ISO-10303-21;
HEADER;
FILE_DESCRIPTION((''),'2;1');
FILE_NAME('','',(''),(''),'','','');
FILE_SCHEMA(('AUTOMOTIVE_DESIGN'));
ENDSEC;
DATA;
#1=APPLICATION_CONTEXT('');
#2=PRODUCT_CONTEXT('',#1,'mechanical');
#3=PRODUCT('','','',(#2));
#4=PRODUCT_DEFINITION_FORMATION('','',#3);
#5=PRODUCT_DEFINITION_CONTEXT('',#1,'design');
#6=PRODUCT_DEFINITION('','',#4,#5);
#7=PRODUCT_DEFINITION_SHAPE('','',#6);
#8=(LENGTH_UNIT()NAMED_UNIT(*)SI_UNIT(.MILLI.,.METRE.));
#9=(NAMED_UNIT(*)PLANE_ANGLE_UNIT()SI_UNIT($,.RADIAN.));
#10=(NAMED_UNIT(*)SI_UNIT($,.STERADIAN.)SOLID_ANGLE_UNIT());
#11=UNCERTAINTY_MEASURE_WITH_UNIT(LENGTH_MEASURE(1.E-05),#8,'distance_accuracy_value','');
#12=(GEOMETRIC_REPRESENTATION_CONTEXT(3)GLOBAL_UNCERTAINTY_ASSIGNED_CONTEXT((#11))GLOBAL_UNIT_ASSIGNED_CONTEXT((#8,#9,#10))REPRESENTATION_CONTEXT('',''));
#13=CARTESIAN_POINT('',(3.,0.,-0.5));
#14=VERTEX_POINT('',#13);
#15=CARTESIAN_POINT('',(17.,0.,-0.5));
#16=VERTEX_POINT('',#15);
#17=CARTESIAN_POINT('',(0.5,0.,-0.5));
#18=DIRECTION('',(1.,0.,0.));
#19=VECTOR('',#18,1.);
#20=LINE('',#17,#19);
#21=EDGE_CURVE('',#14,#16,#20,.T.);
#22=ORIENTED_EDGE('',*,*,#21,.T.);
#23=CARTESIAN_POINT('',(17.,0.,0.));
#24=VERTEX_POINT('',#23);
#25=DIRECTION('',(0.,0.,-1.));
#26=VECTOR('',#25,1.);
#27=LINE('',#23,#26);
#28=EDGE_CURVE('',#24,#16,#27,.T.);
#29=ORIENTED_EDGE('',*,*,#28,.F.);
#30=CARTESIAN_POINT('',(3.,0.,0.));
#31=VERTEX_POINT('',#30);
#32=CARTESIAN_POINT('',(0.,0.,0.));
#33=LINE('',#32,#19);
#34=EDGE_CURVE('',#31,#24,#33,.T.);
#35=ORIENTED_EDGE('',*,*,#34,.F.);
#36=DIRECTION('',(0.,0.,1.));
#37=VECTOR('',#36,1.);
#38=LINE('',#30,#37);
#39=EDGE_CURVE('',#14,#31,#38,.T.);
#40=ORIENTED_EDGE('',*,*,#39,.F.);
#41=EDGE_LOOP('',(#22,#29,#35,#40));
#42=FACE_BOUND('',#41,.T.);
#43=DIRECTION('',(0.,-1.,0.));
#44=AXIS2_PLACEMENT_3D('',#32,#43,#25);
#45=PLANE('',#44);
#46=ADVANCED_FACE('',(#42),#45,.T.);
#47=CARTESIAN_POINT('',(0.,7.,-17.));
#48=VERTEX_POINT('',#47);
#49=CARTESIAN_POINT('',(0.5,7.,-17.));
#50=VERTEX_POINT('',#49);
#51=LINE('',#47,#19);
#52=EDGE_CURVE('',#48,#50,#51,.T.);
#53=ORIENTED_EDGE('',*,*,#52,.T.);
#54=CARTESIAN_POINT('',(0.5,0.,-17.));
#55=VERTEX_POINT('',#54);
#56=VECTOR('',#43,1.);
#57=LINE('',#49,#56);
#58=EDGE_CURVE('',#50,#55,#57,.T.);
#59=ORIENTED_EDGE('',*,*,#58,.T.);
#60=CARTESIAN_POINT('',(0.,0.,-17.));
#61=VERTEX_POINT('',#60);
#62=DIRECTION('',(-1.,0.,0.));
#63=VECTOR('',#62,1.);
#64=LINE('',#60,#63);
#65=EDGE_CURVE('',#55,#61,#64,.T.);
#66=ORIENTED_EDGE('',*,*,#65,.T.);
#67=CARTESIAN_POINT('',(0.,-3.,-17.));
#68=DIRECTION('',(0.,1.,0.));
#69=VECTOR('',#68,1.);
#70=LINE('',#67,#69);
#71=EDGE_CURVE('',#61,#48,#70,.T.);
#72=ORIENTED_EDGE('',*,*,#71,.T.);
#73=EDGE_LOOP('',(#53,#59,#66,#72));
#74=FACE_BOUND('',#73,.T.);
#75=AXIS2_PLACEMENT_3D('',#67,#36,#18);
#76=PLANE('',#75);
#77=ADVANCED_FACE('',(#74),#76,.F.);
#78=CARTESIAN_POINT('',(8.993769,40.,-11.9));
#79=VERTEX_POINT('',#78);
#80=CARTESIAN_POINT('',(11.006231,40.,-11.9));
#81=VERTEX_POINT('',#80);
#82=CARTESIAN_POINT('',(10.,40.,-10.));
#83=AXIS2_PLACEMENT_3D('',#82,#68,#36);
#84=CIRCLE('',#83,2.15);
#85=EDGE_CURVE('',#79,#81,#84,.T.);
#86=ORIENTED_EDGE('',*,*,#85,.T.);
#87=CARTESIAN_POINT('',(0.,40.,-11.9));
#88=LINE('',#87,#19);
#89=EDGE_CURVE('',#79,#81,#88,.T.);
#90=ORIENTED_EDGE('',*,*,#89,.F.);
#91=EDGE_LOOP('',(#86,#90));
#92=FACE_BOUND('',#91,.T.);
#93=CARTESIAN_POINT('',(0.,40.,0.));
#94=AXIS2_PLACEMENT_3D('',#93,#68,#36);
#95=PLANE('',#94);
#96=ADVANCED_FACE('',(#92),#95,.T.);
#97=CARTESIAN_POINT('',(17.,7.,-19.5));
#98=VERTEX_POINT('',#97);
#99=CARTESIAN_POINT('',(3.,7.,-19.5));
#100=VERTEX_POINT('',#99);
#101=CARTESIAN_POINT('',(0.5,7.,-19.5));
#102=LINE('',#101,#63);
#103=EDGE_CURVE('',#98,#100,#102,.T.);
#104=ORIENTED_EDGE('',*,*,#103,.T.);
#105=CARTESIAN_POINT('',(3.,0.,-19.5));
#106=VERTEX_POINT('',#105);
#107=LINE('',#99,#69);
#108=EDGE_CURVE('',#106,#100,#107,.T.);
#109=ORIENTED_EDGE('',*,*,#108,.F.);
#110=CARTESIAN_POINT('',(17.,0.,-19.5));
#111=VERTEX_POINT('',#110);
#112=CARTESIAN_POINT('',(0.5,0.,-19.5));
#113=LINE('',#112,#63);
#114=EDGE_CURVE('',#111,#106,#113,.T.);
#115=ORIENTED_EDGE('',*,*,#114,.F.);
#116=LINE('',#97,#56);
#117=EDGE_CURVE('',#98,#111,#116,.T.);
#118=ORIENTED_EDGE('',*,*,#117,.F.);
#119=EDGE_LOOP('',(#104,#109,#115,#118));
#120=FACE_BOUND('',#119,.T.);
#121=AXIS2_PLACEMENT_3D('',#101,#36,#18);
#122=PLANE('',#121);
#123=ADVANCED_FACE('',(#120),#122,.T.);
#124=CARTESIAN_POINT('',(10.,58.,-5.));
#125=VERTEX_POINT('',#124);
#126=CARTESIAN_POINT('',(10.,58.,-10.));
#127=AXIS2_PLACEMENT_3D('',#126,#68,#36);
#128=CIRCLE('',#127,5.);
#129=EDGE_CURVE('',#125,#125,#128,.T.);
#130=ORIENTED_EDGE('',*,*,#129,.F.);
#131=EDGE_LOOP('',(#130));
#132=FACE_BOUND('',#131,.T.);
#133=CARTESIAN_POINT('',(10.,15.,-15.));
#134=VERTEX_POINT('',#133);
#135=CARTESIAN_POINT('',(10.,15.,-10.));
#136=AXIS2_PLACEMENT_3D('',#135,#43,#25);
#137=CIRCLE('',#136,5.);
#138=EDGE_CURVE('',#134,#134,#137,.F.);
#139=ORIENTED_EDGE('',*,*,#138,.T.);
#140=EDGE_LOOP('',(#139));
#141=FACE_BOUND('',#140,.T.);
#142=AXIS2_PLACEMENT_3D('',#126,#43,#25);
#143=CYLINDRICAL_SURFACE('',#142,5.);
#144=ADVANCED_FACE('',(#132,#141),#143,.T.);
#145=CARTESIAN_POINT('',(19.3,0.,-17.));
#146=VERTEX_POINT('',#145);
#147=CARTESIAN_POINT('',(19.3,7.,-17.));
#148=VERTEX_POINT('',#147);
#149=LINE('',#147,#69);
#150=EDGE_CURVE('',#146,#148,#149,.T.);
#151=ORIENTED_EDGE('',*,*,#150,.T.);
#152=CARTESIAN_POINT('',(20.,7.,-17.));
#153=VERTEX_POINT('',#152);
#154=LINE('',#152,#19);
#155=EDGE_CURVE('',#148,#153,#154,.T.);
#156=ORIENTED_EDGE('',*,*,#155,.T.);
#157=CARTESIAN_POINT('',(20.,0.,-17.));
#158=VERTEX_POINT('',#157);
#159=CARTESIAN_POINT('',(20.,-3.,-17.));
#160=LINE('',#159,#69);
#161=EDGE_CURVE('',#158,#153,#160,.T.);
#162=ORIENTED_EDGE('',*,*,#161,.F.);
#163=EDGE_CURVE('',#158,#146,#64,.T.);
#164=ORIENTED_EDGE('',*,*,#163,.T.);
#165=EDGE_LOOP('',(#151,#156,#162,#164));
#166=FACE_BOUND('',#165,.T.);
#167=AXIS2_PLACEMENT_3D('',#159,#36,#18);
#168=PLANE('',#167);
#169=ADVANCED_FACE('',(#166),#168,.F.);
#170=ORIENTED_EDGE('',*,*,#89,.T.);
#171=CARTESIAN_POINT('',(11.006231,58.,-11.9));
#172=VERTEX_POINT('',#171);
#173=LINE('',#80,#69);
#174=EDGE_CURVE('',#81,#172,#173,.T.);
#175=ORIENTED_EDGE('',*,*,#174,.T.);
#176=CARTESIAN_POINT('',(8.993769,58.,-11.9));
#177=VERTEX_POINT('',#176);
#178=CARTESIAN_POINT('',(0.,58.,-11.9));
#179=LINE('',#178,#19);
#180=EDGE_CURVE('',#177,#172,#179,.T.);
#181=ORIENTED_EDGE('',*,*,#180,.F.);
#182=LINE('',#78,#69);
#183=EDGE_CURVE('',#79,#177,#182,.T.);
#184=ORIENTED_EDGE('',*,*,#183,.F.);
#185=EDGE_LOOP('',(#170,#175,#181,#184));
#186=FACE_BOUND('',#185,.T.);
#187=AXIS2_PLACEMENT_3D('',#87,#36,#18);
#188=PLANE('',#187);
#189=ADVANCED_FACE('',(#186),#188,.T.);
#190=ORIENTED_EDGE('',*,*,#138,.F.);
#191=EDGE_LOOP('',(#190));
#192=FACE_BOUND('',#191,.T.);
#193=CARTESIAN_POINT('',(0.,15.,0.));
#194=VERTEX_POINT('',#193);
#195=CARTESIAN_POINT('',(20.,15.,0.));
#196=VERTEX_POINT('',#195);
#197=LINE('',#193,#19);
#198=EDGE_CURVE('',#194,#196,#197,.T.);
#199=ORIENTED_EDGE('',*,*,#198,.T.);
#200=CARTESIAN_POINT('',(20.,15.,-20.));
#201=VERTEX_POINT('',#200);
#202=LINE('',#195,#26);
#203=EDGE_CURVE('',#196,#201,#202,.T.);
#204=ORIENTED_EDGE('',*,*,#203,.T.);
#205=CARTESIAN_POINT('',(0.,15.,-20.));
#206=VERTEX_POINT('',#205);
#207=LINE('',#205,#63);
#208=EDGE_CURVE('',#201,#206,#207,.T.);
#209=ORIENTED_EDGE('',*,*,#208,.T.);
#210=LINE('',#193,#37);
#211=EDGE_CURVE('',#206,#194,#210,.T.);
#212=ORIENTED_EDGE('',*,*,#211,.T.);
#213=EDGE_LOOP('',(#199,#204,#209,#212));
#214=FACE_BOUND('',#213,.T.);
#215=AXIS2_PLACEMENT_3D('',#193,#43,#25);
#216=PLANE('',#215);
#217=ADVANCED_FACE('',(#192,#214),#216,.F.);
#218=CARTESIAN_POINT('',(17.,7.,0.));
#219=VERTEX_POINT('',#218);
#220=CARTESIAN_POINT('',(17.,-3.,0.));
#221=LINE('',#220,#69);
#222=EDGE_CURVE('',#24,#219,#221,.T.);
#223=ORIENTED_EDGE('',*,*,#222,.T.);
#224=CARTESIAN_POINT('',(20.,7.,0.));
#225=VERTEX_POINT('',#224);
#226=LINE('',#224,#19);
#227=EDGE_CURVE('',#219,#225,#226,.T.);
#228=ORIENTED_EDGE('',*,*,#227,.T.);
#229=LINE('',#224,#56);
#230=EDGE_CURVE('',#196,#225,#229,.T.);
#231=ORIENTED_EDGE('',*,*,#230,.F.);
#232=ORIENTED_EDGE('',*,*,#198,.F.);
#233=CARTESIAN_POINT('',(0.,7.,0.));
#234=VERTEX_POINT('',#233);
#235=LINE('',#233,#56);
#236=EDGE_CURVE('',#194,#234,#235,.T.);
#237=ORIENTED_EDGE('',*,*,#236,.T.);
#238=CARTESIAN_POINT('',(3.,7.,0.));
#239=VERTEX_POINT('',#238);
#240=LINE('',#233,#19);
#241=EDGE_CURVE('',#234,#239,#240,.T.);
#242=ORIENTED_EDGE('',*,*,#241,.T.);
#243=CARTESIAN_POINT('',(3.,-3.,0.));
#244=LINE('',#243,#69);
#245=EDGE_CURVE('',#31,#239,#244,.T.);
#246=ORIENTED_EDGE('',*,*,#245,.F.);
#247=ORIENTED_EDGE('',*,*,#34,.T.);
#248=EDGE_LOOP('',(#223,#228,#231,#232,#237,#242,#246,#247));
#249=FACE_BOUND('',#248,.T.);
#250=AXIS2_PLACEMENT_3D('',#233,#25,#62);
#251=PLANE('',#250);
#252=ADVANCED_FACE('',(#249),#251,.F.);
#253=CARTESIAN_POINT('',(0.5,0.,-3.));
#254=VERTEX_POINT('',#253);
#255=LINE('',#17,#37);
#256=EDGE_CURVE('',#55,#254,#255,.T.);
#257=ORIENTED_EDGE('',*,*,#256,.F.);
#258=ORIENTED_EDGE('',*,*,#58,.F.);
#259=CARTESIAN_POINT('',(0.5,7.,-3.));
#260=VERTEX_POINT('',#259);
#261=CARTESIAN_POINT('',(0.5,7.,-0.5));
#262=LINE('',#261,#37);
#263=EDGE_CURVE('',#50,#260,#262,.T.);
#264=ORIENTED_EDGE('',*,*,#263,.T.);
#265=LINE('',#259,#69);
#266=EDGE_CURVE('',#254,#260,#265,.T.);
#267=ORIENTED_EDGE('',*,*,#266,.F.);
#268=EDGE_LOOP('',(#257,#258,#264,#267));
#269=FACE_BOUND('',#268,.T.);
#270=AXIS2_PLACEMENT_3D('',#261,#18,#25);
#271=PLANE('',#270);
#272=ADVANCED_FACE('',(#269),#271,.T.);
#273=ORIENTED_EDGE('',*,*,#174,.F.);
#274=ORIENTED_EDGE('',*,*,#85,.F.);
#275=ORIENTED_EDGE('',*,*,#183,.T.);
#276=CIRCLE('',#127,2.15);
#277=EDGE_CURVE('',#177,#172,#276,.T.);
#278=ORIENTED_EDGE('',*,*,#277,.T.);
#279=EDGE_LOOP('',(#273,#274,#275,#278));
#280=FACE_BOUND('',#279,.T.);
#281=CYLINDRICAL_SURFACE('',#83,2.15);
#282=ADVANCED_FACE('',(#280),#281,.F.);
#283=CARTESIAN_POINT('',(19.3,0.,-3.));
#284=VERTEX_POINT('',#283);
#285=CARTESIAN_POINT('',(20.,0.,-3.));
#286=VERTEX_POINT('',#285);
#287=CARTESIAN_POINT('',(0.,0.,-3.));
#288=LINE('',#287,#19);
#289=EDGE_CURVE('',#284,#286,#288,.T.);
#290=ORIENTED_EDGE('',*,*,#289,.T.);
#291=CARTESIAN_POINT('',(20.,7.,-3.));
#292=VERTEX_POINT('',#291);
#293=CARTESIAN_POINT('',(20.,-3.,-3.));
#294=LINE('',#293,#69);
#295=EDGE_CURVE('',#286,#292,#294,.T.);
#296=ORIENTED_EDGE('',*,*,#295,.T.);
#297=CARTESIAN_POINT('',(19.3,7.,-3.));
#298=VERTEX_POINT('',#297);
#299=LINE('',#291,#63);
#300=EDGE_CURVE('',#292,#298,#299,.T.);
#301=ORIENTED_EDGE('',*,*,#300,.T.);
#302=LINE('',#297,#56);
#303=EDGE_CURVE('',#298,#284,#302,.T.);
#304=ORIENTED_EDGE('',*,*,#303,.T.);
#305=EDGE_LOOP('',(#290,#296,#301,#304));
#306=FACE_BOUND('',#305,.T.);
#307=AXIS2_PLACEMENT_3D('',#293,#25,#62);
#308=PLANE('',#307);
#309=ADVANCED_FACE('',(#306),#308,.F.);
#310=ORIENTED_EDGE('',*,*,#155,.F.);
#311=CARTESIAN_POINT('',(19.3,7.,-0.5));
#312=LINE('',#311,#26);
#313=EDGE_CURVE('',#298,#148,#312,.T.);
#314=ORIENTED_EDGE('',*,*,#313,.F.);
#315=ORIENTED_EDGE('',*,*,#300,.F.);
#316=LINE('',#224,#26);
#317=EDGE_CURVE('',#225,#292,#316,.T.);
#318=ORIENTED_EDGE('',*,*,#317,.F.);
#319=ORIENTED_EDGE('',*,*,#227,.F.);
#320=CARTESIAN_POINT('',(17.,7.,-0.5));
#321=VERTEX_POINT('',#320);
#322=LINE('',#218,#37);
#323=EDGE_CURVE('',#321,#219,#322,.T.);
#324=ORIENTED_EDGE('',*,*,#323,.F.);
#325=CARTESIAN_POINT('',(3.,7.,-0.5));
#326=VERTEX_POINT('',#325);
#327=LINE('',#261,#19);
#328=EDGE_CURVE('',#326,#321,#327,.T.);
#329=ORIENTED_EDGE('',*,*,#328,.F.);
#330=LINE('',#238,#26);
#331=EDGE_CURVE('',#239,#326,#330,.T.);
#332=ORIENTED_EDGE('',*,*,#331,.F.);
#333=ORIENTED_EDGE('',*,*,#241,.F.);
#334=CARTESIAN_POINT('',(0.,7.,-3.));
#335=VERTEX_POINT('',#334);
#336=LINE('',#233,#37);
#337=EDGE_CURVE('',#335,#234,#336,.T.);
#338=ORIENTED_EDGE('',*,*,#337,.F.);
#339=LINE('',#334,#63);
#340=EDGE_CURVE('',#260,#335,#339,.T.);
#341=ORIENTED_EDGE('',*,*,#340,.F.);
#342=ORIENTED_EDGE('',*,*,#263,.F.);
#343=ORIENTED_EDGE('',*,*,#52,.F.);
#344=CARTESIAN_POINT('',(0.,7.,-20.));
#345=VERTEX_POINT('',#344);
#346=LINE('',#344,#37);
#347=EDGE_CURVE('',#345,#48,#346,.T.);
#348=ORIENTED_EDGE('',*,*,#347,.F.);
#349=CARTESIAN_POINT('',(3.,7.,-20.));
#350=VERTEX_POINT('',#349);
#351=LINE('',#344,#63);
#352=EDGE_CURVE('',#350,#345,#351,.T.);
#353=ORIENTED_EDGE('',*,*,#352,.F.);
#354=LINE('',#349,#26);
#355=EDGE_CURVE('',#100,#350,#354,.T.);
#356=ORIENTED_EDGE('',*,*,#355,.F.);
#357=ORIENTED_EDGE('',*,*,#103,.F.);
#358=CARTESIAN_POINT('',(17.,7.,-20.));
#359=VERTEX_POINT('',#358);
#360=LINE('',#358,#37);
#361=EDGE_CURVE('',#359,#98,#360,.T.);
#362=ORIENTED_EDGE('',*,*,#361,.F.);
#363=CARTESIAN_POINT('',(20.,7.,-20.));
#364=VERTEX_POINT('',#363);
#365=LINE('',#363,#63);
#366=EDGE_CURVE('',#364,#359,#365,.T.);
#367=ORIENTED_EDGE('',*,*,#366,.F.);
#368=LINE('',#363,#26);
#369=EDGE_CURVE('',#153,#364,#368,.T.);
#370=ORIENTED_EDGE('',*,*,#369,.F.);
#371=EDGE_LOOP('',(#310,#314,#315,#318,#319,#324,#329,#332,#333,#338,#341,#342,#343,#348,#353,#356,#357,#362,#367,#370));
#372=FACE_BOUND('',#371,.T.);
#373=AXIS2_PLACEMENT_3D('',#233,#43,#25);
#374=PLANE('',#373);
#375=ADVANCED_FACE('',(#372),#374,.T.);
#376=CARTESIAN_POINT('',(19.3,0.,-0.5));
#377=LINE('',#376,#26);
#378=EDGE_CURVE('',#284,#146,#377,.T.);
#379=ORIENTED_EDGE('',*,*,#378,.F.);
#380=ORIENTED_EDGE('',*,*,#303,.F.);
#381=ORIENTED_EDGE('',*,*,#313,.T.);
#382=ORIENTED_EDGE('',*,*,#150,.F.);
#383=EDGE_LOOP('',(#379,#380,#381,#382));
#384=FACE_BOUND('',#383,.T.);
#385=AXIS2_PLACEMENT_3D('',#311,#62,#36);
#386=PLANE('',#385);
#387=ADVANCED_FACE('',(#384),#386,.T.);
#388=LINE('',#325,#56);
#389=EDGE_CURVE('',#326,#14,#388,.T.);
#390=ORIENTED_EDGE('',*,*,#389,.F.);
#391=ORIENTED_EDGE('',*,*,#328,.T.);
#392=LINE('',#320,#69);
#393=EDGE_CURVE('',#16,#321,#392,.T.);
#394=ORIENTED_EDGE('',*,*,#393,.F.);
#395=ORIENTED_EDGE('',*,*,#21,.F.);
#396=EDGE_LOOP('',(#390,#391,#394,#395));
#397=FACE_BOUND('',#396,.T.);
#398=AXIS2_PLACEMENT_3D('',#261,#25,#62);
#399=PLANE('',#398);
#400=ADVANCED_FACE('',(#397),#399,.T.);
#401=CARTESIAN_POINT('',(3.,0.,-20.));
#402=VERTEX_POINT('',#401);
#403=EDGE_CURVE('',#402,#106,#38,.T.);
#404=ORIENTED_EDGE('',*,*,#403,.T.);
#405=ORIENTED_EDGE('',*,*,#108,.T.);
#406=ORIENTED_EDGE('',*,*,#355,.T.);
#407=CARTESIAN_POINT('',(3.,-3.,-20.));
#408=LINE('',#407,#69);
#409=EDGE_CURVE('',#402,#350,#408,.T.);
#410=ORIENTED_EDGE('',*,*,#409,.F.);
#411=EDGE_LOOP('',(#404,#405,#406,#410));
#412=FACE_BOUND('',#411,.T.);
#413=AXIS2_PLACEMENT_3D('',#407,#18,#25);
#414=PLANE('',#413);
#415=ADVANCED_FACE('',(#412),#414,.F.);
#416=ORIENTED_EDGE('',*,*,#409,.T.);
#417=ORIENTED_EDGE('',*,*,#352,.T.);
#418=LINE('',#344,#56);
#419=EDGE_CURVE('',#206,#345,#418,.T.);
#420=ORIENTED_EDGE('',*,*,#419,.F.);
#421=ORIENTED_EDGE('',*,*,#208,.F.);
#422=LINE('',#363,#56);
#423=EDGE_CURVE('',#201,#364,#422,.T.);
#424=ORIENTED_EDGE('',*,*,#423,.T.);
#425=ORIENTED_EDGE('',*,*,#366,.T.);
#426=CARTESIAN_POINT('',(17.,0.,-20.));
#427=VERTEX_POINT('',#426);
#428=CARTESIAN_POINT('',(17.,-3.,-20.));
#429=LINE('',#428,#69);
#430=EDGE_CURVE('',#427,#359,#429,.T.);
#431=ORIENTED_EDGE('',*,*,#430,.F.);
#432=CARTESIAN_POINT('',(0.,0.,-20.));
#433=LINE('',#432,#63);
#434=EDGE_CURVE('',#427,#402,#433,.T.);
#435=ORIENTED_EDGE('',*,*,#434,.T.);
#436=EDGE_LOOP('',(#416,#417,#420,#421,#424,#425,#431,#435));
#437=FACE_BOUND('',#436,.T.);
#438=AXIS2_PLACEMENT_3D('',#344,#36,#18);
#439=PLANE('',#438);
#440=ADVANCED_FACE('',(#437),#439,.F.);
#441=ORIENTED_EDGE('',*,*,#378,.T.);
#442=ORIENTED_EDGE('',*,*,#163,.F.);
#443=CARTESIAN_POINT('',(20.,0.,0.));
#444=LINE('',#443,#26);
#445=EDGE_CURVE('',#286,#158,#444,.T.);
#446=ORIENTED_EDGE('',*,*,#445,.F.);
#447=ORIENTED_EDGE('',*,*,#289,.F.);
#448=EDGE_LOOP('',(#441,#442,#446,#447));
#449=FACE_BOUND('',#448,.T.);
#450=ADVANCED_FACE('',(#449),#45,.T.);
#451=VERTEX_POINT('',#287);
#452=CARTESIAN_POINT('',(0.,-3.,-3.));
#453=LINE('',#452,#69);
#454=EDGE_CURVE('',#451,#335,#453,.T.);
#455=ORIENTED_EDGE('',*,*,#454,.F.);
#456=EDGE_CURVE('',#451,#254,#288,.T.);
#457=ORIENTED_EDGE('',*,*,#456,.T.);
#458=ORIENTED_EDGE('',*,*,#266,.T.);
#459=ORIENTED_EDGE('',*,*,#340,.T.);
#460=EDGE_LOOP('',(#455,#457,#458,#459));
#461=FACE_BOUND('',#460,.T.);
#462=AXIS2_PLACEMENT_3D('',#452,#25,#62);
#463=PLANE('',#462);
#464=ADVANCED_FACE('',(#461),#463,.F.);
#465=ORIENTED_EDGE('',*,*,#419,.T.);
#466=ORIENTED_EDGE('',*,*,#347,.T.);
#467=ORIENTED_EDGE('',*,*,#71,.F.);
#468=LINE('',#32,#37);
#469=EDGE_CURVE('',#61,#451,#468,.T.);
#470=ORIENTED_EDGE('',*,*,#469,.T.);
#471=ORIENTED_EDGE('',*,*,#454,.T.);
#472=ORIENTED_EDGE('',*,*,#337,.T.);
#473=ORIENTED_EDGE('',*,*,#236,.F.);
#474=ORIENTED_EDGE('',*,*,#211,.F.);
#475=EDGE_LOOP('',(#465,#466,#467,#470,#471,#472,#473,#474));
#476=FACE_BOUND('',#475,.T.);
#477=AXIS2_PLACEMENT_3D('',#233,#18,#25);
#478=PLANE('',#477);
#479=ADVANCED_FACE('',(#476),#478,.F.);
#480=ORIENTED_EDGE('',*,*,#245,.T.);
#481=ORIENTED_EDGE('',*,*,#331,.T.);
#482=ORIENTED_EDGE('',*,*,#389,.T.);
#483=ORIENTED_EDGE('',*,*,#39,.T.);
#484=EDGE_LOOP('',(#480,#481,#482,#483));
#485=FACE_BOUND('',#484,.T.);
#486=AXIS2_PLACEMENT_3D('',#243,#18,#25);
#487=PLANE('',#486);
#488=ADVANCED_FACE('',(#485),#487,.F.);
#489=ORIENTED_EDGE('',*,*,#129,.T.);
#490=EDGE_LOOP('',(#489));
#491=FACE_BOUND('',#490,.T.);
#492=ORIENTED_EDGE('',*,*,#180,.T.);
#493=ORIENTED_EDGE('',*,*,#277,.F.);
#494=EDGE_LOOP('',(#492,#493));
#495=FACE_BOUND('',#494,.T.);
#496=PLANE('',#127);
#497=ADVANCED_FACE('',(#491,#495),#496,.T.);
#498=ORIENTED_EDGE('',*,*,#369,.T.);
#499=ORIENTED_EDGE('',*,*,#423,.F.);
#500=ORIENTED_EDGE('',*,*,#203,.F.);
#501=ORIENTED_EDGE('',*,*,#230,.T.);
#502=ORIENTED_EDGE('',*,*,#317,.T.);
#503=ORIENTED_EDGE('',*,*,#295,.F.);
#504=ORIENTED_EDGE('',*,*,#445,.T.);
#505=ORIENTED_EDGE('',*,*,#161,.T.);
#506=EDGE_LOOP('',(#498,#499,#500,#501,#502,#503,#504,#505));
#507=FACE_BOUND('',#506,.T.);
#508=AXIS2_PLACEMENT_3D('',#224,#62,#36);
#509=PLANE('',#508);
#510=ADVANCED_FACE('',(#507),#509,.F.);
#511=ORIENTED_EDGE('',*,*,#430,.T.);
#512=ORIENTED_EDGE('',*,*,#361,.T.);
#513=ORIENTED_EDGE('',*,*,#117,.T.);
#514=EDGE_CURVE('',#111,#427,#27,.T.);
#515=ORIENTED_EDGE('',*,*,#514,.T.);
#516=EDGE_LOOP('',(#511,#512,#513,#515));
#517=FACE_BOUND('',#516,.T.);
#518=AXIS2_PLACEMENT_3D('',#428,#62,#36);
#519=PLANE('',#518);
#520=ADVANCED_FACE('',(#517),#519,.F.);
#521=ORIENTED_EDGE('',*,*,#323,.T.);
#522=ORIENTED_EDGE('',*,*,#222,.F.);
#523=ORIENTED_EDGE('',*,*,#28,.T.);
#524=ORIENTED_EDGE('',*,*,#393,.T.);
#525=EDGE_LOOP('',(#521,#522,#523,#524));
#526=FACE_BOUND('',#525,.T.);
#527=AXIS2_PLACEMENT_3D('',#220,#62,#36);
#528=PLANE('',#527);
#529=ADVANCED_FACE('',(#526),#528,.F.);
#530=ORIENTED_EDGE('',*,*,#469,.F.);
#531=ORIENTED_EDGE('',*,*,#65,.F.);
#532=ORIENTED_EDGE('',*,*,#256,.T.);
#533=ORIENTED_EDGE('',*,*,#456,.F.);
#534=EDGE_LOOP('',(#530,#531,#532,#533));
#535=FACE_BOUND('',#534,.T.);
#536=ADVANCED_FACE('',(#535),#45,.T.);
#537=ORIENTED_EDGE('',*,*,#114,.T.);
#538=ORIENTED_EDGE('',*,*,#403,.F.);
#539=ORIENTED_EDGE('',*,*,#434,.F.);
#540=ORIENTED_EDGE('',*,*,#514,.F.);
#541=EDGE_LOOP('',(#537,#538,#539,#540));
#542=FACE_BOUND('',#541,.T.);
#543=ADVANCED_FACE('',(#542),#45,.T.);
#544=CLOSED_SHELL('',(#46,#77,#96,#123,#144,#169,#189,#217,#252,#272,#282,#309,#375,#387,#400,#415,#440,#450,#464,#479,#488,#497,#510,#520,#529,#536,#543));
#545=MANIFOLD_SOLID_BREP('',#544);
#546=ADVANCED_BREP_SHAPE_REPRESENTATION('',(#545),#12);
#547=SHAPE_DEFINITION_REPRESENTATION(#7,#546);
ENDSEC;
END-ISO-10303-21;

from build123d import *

# Parameters (mm, degrees)
SKETCH_1_W          = 20
SKETCH_1_H          = 20
SKETCH_1_W_2        = 18.8
SKETCH_1_H_2        = 19
EXTRUDE_1_DEPTH     = 7
SKETCH_3_W          = 20
SKETCH_3_H          = 20
EXTRUDE_2_DEPTH     = 8
SKETCH_4_R          = 5
EXTRUDE_3_DEPTH     = 43
CUT_EXTRUDE_1_DEPTH = 18
SKETCH_6_W          = 3
SKETCH_6_H          = 3
CUT_EXTRUDE_2_DEPTH = 10


with BuildPart() as part:
    # 草圖1 → 填料-伸長1 (new body)
    with BuildSketch(Plane(origin=(0, 0, 0), x_dir=(1, 0, 0), z_dir=(0, 1, 0))):
        with Locations((10, 10)):
            Rectangle(SKETCH_1_W, SKETCH_1_H)
        with Locations((9.9, 10)):
            Rectangle(SKETCH_1_W_2, SKETCH_1_H_2, mode=Mode.SUBTRACT)
    extrude(amount=EXTRUDE_1_DEPTH)

    # 草圖3 → 填料-伸長2 (add)
    with BuildSketch(Plane(origin=(0, 7, 0), x_dir=(1, 0, 0), z_dir=(0, 1, 0))):
        with Locations((10, 10)):
            Rectangle(SKETCH_3_W, SKETCH_3_H)
    extrude(amount=EXTRUDE_2_DEPTH)

    # 草圖4 → 填料-伸長3 (add)
    with BuildSketch(Plane(origin=(0, 15, 0), x_dir=(1, 0, 0), z_dir=(0, 1, 0))):
        with Locations((10, 10)):
            Circle(SKETCH_4_R)
    extrude(amount=EXTRUDE_3_DEPTH)

    # 草圖5 → 除料-伸長1 (cut)
    with BuildSketch(Plane(origin=(0, 58, 0), x_dir=(1, 0, 0), z_dir=(0, 1, 0))):
        with BuildLine():
            Line((10, 11.9), (8.99376941, 11.9))
            ThreePointArc((8.99376941, 11.9), (8.891148289, 8.158004375), (12.15, 10))
            ThreePointArc((12.15, 10), (11.841995625, 11.108851711), (11.00623059, 11.9))
            Line((11.00623059, 11.9), (10, 11.9))
        make_face()
    extrude(amount=-CUT_EXTRUDE_1_DEPTH, mode=Mode.SUBTRACT)

    # 草圖6 → 除料-伸長2 (cut)
    with BuildSketch(Plane(origin=(0, 7, 0), x_dir=(1, 0, 0), z_dir=(0, 1, 0))):
        with Locations((1.5, 18.5)):
            Rectangle(SKETCH_6_W, SKETCH_6_H)
        with Locations((18.5, 18.5)):
            Rectangle(SKETCH_6_W, SKETCH_6_H)
        with Locations((18.5, 1.5)):
            Rectangle(SKETCH_6_W, SKETCH_6_H)
        with Locations((1.5, 1.5)):
            Rectangle(SKETCH_6_W, SKETCH_6_H)
    extrude(amount=-CUT_EXTRUDE_2_DEPTH, mode=Mode.SUBTRACT)


solid = part.part
